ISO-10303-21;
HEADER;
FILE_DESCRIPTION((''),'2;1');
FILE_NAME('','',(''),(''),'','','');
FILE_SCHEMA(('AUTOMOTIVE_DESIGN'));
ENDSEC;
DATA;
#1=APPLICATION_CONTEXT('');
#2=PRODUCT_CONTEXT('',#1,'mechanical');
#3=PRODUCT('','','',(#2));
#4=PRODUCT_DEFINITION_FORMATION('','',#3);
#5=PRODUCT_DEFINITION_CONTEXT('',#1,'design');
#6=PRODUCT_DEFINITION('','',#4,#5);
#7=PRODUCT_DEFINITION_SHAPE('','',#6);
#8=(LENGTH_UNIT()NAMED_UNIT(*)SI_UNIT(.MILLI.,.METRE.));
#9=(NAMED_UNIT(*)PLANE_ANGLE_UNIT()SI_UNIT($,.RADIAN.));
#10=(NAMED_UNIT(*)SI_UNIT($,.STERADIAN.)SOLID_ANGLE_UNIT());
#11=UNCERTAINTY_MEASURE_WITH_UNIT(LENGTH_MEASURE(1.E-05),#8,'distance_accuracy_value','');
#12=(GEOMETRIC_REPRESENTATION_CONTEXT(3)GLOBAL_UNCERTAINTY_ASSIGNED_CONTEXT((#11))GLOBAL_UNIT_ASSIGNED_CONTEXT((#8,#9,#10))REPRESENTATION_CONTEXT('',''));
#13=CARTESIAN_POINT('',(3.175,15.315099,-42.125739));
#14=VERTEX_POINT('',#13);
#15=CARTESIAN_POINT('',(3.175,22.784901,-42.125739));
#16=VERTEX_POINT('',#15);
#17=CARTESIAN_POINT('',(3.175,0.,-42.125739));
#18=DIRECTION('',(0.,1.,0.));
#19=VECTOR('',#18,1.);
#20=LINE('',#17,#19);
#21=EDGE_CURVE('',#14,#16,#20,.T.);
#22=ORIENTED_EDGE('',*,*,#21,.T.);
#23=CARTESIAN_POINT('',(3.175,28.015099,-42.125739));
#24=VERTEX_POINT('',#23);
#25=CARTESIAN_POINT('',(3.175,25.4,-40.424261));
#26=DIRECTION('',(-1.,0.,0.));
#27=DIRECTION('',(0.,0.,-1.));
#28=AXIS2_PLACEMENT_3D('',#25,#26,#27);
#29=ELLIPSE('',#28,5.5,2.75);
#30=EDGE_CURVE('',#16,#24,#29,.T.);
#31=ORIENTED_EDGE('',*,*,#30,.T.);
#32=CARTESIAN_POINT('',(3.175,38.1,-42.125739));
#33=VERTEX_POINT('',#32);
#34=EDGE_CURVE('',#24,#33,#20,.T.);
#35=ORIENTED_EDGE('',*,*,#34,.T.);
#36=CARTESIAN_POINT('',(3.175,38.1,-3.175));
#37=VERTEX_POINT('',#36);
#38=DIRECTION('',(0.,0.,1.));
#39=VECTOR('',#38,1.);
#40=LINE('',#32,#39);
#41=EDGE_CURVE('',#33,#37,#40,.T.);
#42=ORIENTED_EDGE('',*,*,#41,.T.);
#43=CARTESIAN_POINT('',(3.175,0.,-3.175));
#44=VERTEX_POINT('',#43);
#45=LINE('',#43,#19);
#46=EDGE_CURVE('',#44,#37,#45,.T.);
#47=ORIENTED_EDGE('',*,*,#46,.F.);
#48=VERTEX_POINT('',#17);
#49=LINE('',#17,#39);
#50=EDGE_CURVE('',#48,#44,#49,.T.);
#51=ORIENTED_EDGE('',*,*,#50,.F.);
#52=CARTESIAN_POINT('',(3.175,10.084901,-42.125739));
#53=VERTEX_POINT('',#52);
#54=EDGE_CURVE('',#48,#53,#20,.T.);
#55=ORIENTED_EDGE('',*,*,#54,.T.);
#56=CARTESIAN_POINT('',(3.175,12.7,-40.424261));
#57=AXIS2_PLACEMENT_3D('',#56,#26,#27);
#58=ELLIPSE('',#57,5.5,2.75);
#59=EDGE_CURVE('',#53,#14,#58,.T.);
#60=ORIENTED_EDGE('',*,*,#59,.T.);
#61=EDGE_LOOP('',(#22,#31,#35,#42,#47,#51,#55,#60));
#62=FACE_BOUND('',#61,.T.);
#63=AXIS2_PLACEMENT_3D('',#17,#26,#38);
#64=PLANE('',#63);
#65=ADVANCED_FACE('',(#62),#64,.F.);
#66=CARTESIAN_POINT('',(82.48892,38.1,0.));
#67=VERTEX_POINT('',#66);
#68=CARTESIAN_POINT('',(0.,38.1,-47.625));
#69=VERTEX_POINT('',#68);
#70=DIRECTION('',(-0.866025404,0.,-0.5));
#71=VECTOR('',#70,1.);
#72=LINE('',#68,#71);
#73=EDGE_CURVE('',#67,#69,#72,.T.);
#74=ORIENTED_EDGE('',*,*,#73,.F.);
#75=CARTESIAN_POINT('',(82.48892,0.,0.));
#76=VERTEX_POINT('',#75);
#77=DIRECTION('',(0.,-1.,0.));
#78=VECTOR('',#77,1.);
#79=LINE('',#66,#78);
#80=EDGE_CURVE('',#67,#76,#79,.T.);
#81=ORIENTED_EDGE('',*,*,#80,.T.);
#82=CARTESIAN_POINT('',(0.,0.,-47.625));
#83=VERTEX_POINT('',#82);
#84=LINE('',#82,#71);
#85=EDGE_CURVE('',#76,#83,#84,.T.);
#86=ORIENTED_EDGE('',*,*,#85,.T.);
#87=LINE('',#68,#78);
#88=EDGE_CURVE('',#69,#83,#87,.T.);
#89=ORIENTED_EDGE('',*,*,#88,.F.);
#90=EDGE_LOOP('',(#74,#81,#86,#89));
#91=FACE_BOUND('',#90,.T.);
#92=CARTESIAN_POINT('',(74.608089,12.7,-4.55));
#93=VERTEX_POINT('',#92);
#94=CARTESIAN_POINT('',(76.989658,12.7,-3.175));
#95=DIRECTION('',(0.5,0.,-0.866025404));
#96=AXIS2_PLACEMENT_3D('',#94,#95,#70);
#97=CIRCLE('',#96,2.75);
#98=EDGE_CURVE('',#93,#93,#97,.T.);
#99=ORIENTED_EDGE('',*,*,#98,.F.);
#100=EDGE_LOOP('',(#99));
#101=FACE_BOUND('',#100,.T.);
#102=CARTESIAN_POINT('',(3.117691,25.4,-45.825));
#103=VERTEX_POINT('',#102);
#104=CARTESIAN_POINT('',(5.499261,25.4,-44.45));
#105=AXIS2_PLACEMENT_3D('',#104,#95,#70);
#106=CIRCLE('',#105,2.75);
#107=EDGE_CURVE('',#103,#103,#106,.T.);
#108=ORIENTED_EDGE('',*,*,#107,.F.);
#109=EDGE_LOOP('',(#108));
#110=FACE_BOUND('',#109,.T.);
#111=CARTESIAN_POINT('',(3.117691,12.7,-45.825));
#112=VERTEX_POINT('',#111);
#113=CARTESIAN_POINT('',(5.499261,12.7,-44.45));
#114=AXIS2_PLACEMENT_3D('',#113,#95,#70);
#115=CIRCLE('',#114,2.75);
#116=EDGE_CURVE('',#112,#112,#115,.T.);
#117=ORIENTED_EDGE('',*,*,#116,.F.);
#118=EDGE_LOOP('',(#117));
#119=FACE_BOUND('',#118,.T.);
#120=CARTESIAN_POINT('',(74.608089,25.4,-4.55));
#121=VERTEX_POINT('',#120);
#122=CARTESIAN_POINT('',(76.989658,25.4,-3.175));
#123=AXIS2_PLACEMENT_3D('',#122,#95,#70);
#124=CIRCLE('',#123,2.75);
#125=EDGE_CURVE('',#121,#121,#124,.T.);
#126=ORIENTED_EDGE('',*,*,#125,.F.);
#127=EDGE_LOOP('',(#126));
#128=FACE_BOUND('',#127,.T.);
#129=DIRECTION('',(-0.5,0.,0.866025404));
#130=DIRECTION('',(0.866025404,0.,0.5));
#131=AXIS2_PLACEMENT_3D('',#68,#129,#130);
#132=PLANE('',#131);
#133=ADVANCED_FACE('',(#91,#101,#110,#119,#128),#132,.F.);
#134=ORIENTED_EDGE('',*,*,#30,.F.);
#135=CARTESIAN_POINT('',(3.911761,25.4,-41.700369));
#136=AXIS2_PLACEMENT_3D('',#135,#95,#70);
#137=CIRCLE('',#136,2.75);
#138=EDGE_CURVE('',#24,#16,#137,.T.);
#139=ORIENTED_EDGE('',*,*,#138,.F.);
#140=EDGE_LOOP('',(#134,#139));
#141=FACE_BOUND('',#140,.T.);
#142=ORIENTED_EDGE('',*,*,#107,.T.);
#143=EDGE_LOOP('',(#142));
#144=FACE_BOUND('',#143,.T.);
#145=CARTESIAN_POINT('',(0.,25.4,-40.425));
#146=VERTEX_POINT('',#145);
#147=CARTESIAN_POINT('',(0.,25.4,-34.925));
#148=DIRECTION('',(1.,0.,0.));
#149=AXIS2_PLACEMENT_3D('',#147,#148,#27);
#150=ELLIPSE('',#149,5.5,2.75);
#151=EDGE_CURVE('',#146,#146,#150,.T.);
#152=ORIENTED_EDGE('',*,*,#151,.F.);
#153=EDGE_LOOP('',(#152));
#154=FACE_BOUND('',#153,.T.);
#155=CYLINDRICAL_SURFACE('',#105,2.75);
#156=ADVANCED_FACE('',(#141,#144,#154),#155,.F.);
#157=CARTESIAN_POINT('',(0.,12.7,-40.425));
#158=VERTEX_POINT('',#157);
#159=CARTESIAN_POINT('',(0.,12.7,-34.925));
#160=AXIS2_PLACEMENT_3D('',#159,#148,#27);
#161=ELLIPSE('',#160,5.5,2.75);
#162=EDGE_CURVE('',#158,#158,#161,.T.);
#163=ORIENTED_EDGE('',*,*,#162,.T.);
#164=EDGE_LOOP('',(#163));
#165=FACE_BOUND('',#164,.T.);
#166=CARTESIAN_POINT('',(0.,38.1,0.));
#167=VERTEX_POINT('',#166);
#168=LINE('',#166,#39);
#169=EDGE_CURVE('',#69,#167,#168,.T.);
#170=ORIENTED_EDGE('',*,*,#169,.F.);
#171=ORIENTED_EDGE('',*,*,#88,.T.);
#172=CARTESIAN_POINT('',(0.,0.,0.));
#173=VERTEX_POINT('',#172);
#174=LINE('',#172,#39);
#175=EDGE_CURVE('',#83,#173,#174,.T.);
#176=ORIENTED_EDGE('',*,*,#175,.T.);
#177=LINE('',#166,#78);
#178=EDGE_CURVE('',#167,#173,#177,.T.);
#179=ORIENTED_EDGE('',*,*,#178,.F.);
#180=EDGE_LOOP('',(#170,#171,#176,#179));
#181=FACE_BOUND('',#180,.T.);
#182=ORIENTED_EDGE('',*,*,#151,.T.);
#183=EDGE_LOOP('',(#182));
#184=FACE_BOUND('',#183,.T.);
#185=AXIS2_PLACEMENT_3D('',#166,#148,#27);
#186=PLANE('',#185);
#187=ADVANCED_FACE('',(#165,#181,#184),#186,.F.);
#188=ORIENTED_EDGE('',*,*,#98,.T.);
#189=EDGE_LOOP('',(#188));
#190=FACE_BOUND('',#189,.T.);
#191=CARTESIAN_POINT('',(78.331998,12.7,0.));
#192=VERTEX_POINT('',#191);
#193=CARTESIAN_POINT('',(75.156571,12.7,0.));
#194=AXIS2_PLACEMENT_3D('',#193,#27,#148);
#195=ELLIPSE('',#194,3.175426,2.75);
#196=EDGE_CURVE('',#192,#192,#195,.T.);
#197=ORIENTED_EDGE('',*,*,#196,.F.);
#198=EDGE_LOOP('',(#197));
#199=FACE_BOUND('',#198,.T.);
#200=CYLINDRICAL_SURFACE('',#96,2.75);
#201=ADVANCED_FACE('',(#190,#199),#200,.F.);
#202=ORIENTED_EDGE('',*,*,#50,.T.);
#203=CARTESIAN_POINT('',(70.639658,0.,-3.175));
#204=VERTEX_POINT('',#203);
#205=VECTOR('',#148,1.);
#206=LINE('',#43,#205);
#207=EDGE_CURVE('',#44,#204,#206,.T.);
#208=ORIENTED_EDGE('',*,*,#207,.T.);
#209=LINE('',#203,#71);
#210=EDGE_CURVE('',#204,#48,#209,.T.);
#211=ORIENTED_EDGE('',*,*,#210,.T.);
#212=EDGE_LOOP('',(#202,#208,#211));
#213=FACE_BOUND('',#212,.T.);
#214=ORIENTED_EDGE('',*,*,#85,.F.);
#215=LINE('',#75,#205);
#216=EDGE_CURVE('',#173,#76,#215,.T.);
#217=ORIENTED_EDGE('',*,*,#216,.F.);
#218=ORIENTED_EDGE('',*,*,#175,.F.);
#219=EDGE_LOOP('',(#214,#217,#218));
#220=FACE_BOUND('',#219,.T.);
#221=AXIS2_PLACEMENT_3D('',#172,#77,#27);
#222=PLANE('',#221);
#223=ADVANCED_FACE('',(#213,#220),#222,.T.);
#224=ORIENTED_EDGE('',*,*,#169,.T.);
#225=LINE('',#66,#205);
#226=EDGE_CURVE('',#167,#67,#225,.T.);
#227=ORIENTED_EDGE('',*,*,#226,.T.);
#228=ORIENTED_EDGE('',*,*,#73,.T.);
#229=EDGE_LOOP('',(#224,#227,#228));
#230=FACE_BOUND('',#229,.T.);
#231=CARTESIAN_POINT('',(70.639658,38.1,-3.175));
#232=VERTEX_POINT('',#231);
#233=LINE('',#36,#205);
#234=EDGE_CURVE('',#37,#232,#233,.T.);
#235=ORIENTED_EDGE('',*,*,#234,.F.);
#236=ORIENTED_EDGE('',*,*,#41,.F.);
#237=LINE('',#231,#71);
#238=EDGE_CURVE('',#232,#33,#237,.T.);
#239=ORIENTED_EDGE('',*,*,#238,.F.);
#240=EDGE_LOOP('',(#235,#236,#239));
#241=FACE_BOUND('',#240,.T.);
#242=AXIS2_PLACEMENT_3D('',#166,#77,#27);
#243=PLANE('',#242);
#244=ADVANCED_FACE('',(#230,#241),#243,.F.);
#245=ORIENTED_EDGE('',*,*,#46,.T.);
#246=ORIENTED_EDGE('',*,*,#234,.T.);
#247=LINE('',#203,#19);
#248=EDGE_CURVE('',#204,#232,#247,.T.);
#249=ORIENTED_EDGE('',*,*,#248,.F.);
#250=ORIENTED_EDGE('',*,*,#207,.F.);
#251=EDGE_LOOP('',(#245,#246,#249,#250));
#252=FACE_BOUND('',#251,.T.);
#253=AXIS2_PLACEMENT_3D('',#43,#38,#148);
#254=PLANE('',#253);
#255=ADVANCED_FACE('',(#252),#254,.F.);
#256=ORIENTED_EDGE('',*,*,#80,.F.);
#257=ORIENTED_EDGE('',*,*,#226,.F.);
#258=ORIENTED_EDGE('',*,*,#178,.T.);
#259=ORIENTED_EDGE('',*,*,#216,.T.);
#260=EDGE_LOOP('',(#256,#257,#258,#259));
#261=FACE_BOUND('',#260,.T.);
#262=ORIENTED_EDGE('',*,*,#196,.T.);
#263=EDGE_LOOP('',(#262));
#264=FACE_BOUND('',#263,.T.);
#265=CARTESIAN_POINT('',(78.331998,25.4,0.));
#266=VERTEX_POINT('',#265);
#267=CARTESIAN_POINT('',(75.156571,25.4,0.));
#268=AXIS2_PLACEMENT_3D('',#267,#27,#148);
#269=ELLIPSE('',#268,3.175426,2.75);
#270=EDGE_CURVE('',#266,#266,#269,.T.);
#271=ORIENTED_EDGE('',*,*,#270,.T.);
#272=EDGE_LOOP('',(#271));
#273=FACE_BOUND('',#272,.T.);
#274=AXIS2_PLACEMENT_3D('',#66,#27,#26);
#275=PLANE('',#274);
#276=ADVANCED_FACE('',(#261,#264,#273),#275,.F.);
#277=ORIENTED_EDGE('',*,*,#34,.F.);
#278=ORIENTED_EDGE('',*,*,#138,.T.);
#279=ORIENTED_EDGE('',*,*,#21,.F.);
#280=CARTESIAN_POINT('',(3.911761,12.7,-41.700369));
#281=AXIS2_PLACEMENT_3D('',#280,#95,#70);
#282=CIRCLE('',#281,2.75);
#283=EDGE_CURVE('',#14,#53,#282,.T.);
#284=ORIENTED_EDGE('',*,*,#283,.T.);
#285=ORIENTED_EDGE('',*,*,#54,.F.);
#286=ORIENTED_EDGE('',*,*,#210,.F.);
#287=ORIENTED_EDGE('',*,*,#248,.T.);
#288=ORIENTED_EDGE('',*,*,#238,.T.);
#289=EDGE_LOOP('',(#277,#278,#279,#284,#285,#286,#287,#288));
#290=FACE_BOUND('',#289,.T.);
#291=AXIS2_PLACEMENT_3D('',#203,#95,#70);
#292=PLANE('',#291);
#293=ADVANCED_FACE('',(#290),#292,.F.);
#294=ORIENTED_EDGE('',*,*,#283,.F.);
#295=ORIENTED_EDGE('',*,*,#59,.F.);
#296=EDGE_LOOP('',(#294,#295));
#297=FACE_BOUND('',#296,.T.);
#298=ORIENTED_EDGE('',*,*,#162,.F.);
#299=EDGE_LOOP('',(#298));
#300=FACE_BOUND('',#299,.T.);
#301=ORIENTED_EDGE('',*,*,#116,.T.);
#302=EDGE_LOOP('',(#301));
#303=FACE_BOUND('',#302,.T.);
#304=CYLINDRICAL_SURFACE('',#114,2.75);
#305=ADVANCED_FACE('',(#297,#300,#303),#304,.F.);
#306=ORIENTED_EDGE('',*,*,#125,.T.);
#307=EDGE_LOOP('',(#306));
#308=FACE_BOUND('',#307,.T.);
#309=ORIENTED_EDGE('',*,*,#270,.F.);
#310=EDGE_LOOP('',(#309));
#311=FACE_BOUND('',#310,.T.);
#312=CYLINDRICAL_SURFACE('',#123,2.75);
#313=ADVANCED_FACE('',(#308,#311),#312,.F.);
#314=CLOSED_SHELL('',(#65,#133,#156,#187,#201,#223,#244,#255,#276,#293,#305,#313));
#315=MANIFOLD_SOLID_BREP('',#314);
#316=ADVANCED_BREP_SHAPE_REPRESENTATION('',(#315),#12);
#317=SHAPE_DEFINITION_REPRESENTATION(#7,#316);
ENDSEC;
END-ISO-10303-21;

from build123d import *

# Parameters (mm, degrees)
BOSS_EXTRUDE1_DEPTH  = 38.1
CUT_EXTRUDE1_DEPTH   = 103.587389576
M5_CLEARANCE_HOLE1_D = 5.5


with BuildPart() as part:
    # Sketch1 → Boss-Extrude1 (new body)
    with BuildSketch(Plane(origin=(0, 0, 0), x_dir=(1, 0, 0), z_dir=(0, 1, 0))):
        Polygon((0, 0), (0, 47.625), (82.48891971, 0), align=None)
    extrude(amount=BOSS_EXTRUDE1_DEPTH)

    # Sketch2 → Cut-Extrude1 (cut, through all)
    with BuildSketch(Plane(origin=(0, 38.1, 0), x_dir=(1, 0, 0), z_dir=(0, 1, 0))):
        Polygon((3.175, 3.175), (70.639658396, 3.175), (3.175, 42.125738686), align=None)
    extrude(amount=-CUT_EXTRUDE1_DEPTH, mode=Mode.SUBTRACT)

    # M5 Clearance Hole1 (through all)
    with Locations(Plane(origin=(20.622229928, 0, -35.71875), x_dir=(-0.8660254037844417, 0, -0.4999999999999947), z_dir=(0.4999999999999947, 0, -0.8660254037844417))):
        with Locations((17.4625, 12.7), (-65.0875, 12.7), (-65.0875, 25.4), (17.4625, 25.4)):
            Hole(M5_CLEARANCE_HOLE1_D / 2)


solid = part.part
